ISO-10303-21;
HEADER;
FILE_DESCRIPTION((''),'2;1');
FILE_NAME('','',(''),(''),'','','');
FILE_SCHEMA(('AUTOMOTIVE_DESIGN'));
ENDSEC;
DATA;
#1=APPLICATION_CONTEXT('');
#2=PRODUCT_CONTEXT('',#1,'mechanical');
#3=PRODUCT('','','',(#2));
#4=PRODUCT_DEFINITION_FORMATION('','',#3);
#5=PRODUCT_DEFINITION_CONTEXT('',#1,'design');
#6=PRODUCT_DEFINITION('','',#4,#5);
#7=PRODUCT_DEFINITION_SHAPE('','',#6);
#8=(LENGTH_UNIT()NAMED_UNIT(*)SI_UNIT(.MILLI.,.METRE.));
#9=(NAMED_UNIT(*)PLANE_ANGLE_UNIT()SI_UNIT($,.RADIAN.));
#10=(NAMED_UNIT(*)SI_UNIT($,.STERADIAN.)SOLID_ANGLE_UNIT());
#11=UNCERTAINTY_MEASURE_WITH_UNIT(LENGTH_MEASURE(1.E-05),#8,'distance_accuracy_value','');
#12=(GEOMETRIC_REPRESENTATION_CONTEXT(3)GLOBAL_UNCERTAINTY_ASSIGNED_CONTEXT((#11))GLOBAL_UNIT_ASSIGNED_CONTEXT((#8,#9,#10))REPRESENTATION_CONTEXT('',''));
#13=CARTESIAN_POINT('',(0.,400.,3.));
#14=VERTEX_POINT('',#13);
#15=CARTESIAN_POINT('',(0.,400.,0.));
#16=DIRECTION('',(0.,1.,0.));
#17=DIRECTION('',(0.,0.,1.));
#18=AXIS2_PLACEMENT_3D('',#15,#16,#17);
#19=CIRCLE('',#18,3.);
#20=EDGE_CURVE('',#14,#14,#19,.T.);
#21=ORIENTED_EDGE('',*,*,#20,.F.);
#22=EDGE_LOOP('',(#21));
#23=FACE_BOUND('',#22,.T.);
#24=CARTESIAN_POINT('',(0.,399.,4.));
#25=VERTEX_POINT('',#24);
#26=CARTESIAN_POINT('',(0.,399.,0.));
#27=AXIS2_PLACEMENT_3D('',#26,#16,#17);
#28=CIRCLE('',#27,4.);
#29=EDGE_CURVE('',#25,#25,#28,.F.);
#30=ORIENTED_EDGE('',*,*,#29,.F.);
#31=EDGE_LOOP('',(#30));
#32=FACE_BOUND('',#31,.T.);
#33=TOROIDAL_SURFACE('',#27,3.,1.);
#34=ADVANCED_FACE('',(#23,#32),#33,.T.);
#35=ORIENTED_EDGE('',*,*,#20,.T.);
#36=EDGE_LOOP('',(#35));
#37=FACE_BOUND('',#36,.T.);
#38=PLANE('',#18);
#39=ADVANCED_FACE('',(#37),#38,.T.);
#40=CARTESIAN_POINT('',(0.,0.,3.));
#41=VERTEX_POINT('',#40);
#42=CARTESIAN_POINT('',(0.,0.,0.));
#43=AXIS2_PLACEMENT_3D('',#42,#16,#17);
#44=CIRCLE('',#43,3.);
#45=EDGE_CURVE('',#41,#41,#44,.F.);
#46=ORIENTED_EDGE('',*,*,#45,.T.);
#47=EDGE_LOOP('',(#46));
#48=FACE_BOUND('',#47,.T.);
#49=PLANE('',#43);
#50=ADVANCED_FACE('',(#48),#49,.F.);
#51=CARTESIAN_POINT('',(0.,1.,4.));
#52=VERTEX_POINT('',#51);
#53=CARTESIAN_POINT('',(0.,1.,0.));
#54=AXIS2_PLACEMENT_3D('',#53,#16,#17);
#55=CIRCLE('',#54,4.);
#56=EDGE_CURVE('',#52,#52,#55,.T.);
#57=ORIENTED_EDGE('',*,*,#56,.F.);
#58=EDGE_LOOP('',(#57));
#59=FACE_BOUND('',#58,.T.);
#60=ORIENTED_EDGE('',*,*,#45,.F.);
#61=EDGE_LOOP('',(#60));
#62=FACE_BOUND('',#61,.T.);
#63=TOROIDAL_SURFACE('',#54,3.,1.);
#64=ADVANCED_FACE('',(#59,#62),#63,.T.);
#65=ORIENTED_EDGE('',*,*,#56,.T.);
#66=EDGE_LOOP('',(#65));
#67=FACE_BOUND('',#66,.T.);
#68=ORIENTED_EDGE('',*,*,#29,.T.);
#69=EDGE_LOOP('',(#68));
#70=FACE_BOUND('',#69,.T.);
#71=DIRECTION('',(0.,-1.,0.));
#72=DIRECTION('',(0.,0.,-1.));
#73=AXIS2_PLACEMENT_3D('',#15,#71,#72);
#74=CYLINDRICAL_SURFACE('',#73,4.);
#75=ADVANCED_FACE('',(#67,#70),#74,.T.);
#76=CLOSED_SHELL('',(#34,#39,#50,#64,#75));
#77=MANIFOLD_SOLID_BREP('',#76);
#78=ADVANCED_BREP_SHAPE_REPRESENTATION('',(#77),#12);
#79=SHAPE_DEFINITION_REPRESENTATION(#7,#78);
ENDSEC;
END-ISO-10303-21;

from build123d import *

# Parameters (mm, degrees)
SKETCH1_R           = 4
BOSS_EXTRUDE1_DEPTH = 400
FILLET2_R           = 1


with BuildPart() as part:
    # Sketch1 → Boss-Extrude1 (new body)
    with BuildSketch(Plane(origin=(0, 0, 0), x_dir=(1, 0, 0), z_dir=(0, 1, 0))):
        Circle(SKETCH1_R)
    extrude(amount=BOSS_EXTRUDE1_DEPTH)

    # Fillet2
    fillet2_edges = [part.edges().sort_by_distance(p)[0] for p in [
        (-4, 0, 0),
        (-4, 400, 0),
    ]]
    fillet(fillet2_edges, radius=FILLET2_R)


solid = part.part
